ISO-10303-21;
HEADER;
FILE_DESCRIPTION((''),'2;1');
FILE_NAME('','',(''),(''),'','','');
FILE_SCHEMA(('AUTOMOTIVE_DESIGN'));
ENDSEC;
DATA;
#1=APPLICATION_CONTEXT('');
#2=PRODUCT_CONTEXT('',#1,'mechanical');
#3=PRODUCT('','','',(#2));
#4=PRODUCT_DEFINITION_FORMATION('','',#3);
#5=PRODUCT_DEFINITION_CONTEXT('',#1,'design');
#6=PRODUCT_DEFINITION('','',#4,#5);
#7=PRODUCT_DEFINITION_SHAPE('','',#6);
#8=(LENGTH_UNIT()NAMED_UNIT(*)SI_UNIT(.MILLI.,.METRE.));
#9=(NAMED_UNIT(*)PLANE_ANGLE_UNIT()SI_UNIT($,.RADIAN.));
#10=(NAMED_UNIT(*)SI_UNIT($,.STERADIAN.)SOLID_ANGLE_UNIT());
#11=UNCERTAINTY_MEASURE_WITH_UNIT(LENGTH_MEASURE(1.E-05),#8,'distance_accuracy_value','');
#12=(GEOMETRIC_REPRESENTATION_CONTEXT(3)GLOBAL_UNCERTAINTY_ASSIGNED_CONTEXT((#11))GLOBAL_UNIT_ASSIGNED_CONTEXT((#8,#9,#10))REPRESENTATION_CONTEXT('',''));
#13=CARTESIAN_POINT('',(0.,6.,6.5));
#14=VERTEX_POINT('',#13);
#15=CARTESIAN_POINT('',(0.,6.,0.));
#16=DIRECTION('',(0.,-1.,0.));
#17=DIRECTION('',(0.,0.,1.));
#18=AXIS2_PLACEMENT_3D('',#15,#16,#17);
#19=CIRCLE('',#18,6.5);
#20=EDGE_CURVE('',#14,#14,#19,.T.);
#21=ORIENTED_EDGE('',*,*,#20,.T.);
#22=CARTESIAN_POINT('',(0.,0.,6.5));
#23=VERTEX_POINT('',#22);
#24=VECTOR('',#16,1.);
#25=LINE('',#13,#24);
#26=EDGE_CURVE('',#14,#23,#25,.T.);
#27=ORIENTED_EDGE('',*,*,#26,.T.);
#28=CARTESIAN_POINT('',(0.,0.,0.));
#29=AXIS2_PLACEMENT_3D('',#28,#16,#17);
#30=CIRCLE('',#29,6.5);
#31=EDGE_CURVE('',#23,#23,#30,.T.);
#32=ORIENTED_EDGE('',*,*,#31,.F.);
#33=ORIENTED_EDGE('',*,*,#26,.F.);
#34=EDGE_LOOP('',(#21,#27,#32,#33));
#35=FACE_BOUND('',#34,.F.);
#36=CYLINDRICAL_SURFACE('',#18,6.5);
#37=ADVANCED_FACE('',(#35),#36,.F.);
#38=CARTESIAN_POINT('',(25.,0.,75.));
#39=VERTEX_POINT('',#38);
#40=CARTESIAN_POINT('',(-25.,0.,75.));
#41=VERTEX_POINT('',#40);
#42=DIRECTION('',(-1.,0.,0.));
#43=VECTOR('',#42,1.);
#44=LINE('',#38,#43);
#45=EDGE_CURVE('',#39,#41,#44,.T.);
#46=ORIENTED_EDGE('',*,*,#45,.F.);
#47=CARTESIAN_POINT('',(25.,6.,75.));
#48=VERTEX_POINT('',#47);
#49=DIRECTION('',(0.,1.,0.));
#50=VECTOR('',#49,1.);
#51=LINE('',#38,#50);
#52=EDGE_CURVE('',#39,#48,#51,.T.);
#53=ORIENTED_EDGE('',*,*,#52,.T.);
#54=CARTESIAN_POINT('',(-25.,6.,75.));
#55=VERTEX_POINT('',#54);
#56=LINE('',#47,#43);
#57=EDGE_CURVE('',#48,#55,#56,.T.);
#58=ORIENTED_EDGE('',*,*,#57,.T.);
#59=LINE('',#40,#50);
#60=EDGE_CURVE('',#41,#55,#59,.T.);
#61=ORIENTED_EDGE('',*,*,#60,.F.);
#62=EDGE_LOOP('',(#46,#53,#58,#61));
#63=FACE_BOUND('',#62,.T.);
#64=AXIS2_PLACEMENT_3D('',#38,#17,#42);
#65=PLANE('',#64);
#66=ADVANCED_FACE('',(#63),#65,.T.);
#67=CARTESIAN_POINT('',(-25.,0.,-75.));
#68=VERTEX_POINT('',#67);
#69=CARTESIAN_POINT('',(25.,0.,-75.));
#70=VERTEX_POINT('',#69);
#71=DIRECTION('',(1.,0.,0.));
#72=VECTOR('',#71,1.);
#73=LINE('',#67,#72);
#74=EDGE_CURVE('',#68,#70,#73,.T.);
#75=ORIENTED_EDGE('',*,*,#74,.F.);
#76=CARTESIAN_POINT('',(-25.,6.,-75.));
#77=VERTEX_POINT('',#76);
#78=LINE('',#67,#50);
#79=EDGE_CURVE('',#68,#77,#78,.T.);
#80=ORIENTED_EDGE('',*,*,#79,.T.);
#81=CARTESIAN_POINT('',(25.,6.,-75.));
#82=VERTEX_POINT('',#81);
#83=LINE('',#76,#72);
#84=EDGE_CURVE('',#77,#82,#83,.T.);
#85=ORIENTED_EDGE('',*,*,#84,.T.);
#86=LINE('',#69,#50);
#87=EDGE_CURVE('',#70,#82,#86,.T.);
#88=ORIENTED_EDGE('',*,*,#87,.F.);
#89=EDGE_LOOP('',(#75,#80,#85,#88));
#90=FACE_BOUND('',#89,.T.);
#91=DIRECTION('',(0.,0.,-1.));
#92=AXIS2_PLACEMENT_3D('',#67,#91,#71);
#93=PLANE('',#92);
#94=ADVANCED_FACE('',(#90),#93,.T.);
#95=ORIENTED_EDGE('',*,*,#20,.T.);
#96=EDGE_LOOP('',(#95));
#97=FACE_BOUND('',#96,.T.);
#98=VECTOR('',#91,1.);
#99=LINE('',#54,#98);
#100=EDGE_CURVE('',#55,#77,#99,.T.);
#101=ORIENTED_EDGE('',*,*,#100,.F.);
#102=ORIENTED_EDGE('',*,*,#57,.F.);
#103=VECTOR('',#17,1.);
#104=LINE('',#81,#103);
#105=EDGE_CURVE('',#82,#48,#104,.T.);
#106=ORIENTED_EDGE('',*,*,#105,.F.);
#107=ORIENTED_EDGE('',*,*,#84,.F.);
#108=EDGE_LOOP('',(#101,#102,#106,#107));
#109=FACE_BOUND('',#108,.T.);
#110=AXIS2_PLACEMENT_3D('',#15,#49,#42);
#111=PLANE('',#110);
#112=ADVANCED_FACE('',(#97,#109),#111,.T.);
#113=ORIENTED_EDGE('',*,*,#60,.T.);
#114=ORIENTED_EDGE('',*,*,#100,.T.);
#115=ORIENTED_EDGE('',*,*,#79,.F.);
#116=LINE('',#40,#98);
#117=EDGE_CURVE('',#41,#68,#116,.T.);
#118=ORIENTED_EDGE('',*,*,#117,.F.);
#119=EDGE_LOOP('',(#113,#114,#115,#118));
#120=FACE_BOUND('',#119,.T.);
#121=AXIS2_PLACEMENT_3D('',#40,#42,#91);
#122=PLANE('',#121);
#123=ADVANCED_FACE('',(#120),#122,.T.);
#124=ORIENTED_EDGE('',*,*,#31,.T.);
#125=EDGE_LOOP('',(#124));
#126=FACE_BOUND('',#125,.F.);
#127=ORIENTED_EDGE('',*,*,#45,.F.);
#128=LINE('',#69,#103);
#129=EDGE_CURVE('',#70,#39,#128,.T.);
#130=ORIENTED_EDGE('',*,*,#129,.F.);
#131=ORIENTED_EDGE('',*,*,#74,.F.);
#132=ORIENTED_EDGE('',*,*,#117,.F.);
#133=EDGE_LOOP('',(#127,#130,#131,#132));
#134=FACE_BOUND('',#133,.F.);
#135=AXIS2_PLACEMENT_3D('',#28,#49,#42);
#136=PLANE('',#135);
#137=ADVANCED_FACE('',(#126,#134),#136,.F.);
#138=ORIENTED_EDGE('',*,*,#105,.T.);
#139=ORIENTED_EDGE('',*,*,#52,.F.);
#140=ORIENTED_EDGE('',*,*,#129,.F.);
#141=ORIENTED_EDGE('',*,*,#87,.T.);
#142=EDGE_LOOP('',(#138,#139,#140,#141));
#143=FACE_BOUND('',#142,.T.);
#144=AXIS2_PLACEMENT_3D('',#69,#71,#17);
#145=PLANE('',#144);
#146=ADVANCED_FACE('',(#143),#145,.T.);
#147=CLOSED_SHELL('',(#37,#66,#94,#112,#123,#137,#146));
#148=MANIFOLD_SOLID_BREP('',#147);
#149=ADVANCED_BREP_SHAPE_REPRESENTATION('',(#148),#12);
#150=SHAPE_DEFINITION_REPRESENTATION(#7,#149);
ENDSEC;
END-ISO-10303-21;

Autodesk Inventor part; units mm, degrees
ref_plane "YZ Plane" through (0, 0, 0) normal (1, 0, 0) x (0, 1, 0)
ref_plane "XZ Plane" through (0, 0, 0) normal (0, 1, 0) x (-1, 0, 0)
ref_plane "XY Plane" through (0, 0, 0) normal (0, 0, 1) x (1, 0, 0)
sketch "Sketch1" plane through (0, 0, 0) normal (0, 1, 0) x (-1, 0, 0)
  line L0 (-25, 75) -> (25, 75)
  line L1 (25, 75) -> (25, -75)
  line L2 (25, -75) -> (-25, -75)
  line L3 (-25, -75) -> (-25, 75)
  line L4 (-25, 75) -> (25, -75) construction
  line L5 (25, 75) -> (-25, -75) construction
  point P0 (0, 0)
  dimension "d0" = 50
  dimension "d1" = 150
extrude "Extrusion1" add sketch "Sketch1" along normal blind 6
sketch "Sketch2" plane through (0, 6, 0) normal (0, 1, 0) x (1, 0, 0)
  point P0 (0, 0)
  point P1 (0, 0)
hole "Hole1" at (0, 6, 0) direction (0, -1, 0) diameter 13 end through all
properties part number "metal_sample"
